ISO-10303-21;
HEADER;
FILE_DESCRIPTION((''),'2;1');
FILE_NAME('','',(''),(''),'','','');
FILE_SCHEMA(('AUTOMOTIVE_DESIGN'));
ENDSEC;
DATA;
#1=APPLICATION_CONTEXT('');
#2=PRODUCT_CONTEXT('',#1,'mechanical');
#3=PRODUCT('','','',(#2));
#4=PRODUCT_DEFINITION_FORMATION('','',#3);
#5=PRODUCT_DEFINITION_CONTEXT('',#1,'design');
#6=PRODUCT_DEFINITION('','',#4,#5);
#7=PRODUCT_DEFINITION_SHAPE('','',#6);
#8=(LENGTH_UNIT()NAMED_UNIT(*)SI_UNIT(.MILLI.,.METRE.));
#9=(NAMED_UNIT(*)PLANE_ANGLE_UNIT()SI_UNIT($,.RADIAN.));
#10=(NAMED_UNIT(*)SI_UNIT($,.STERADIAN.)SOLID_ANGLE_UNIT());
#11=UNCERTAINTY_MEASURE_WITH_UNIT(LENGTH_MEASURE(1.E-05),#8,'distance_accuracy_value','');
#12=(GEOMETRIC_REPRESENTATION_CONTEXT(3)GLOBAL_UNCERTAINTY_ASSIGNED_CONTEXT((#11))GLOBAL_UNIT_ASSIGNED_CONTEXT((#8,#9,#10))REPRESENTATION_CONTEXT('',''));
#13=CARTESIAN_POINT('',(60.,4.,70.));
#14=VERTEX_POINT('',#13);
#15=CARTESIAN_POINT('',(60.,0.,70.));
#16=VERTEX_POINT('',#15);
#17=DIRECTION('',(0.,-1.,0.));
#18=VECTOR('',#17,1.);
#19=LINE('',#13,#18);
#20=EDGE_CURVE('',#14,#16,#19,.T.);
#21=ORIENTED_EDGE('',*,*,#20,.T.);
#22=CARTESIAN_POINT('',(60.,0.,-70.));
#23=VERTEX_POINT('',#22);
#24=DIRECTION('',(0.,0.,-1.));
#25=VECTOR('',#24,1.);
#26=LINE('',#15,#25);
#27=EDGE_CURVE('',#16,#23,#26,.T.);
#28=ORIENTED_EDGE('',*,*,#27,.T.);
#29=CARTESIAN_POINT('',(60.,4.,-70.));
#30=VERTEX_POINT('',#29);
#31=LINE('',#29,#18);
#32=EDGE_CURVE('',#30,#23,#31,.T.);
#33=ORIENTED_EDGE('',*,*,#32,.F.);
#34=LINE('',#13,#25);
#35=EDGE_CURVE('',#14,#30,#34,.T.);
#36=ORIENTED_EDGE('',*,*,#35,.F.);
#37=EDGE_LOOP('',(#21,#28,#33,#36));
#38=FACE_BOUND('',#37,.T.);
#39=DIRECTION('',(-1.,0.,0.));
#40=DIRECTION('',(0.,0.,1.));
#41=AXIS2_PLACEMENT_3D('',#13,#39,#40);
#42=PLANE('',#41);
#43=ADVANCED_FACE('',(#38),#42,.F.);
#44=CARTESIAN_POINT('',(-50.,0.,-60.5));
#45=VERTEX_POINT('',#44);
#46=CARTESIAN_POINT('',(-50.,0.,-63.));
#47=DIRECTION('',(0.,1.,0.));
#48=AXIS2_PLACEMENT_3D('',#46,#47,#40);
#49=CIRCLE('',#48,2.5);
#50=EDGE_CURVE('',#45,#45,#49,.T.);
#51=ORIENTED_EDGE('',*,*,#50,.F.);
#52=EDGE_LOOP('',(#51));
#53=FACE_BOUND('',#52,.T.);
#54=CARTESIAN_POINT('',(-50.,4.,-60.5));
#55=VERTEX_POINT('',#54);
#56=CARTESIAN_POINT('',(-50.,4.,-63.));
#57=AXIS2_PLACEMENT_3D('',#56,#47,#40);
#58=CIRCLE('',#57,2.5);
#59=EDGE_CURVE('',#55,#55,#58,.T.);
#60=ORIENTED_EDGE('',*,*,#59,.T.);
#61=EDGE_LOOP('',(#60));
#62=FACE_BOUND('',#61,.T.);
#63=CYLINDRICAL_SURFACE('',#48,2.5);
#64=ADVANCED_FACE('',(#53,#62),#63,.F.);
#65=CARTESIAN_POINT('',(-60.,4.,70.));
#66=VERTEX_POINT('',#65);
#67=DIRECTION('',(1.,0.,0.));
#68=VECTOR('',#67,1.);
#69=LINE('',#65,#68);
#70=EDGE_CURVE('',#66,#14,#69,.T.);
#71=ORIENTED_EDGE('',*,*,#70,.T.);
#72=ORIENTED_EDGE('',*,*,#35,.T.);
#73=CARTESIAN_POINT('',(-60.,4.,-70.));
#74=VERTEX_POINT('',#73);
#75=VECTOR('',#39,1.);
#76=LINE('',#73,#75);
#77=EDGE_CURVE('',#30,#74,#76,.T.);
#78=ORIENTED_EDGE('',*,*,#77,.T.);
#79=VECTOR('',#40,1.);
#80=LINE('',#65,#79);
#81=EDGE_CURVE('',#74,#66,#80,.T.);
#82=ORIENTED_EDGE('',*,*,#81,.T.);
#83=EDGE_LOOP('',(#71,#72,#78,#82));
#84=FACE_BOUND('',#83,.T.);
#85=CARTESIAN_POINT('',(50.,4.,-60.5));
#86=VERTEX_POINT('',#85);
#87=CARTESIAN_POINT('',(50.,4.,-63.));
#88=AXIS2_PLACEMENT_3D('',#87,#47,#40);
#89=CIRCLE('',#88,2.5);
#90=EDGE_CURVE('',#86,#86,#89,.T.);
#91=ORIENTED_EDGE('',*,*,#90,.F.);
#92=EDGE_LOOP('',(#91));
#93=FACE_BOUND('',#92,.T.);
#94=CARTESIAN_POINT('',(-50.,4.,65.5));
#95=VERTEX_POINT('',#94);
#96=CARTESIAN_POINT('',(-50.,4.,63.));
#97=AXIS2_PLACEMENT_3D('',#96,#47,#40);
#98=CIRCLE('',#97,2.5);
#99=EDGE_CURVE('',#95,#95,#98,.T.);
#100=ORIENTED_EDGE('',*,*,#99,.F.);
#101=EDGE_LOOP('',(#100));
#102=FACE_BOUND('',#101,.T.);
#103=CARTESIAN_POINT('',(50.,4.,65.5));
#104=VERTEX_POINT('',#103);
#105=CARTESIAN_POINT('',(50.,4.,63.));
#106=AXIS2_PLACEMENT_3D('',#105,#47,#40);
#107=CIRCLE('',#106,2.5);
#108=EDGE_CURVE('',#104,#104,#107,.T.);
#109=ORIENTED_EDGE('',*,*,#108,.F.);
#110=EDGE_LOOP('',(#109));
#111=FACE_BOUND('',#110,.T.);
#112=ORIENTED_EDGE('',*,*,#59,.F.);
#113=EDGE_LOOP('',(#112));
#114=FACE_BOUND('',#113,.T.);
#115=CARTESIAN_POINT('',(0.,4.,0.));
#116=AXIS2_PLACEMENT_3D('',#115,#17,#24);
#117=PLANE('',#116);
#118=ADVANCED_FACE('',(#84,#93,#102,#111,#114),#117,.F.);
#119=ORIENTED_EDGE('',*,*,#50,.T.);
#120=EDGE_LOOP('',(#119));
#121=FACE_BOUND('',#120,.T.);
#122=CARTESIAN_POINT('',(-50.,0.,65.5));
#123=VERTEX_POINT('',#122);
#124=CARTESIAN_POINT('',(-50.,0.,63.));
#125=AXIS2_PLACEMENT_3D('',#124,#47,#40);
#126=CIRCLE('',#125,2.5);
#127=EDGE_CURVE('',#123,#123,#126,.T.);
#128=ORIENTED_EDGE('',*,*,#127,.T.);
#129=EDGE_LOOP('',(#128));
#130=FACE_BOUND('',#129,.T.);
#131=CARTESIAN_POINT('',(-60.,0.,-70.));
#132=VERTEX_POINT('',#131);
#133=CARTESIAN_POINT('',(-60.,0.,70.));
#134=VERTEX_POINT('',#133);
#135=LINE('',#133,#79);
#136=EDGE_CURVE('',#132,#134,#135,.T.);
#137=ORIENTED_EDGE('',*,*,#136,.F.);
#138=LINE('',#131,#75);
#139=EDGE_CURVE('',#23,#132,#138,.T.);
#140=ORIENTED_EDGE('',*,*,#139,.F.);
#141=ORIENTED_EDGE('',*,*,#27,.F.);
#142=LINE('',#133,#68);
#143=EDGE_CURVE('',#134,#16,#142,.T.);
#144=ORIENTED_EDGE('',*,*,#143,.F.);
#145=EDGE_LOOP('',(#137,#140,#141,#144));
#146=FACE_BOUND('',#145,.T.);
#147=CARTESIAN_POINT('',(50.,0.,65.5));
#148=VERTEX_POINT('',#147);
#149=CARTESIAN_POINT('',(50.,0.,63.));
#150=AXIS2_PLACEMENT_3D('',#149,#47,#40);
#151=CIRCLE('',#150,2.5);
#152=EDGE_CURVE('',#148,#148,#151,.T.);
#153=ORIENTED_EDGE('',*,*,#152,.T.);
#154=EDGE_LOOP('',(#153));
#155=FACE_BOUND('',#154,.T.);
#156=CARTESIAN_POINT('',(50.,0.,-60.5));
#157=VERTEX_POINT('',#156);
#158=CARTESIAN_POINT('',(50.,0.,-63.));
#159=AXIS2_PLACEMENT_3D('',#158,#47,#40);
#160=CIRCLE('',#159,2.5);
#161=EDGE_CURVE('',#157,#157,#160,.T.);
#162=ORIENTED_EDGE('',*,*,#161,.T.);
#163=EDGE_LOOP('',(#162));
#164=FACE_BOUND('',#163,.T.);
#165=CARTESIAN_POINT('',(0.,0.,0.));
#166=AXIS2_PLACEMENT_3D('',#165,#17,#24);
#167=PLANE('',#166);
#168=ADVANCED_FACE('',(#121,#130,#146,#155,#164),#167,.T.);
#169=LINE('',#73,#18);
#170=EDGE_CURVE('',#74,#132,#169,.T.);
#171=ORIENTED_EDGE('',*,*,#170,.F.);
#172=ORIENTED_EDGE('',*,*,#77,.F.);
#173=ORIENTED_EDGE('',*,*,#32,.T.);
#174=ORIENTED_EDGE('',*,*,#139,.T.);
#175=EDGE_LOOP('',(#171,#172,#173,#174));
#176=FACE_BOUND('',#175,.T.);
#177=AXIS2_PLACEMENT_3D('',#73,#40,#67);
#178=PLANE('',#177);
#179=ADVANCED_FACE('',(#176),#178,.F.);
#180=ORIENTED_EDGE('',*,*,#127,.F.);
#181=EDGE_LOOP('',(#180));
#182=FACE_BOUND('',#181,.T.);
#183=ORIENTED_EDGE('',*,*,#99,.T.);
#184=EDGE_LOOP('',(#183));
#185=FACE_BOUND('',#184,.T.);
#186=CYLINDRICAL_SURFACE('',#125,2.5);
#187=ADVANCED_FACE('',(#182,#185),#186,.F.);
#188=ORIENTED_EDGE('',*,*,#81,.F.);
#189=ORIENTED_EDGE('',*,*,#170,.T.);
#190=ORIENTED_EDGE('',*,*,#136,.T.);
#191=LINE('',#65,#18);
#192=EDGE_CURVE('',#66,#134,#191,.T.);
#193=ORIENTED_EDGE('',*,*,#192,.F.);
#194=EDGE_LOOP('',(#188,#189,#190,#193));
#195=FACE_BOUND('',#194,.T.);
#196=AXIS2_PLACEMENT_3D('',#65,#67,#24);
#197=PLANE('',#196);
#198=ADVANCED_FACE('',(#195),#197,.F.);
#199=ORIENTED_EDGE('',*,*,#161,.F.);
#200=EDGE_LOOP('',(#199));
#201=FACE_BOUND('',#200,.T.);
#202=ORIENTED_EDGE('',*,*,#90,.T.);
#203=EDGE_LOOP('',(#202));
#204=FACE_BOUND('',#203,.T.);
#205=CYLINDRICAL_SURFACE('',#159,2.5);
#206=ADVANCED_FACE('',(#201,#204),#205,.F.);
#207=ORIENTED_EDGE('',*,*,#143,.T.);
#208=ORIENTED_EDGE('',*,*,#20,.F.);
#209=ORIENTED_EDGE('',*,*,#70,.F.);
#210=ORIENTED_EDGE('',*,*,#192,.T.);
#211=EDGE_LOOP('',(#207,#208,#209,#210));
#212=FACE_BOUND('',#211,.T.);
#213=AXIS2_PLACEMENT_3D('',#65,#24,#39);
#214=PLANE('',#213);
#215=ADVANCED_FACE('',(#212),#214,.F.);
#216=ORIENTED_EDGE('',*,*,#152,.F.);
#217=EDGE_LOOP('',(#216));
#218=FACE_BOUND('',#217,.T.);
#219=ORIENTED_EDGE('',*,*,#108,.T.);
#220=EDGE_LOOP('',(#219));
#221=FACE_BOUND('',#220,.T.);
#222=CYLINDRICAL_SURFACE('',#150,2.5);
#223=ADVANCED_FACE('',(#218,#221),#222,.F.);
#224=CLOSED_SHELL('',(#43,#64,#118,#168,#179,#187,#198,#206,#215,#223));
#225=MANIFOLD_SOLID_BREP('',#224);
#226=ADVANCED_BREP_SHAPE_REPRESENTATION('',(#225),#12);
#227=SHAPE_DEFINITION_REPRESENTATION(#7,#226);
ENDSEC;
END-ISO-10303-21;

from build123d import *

# Parameters (mm, degrees)
SKETCH1_W           = 120
SKETCH1_H           = 140
BOSS_EXTRUDE1_DEPTH = 4
SKETCH2_R           = 2.5
CUT_EXTRUDE1_DEPTH  = 93.28217596


with BuildPart() as part:
    # Sketch1 → Boss-Extrude1 (new body)
    with BuildSketch(Plane(origin=(0, 0, 0), x_dir=(1, 0, 0), z_dir=(0, 1, 0))):
        Rectangle(SKETCH1_W, SKETCH1_H)
    extrude(amount=BOSS_EXTRUDE1_DEPTH)

    # Sketch2 → Cut-Extrude1 (cut, through all)
    with BuildSketch(Plane(origin=(0, 4, 0), x_dir=(1, 0, 0), z_dir=(0, 1, 0))):
        with Locations(Location((-50, 63, 0), (0, 0, 270))):
            Circle(SKETCH2_R)
        with Locations(Location((50, 63, 0), (0, 0, 270))):
            Circle(SKETCH2_R)
        with Locations(Location((50, -63, 0), (0, 0, 270))):
            Circle(SKETCH2_R)
        with Locations(Location((-50, -63, 0), (0, 0, 270))):
            Circle(SKETCH2_R)
    extrude(amount=-CUT_EXTRUDE1_DEPTH, mode=Mode.SUBTRACT)


solid = part.part
